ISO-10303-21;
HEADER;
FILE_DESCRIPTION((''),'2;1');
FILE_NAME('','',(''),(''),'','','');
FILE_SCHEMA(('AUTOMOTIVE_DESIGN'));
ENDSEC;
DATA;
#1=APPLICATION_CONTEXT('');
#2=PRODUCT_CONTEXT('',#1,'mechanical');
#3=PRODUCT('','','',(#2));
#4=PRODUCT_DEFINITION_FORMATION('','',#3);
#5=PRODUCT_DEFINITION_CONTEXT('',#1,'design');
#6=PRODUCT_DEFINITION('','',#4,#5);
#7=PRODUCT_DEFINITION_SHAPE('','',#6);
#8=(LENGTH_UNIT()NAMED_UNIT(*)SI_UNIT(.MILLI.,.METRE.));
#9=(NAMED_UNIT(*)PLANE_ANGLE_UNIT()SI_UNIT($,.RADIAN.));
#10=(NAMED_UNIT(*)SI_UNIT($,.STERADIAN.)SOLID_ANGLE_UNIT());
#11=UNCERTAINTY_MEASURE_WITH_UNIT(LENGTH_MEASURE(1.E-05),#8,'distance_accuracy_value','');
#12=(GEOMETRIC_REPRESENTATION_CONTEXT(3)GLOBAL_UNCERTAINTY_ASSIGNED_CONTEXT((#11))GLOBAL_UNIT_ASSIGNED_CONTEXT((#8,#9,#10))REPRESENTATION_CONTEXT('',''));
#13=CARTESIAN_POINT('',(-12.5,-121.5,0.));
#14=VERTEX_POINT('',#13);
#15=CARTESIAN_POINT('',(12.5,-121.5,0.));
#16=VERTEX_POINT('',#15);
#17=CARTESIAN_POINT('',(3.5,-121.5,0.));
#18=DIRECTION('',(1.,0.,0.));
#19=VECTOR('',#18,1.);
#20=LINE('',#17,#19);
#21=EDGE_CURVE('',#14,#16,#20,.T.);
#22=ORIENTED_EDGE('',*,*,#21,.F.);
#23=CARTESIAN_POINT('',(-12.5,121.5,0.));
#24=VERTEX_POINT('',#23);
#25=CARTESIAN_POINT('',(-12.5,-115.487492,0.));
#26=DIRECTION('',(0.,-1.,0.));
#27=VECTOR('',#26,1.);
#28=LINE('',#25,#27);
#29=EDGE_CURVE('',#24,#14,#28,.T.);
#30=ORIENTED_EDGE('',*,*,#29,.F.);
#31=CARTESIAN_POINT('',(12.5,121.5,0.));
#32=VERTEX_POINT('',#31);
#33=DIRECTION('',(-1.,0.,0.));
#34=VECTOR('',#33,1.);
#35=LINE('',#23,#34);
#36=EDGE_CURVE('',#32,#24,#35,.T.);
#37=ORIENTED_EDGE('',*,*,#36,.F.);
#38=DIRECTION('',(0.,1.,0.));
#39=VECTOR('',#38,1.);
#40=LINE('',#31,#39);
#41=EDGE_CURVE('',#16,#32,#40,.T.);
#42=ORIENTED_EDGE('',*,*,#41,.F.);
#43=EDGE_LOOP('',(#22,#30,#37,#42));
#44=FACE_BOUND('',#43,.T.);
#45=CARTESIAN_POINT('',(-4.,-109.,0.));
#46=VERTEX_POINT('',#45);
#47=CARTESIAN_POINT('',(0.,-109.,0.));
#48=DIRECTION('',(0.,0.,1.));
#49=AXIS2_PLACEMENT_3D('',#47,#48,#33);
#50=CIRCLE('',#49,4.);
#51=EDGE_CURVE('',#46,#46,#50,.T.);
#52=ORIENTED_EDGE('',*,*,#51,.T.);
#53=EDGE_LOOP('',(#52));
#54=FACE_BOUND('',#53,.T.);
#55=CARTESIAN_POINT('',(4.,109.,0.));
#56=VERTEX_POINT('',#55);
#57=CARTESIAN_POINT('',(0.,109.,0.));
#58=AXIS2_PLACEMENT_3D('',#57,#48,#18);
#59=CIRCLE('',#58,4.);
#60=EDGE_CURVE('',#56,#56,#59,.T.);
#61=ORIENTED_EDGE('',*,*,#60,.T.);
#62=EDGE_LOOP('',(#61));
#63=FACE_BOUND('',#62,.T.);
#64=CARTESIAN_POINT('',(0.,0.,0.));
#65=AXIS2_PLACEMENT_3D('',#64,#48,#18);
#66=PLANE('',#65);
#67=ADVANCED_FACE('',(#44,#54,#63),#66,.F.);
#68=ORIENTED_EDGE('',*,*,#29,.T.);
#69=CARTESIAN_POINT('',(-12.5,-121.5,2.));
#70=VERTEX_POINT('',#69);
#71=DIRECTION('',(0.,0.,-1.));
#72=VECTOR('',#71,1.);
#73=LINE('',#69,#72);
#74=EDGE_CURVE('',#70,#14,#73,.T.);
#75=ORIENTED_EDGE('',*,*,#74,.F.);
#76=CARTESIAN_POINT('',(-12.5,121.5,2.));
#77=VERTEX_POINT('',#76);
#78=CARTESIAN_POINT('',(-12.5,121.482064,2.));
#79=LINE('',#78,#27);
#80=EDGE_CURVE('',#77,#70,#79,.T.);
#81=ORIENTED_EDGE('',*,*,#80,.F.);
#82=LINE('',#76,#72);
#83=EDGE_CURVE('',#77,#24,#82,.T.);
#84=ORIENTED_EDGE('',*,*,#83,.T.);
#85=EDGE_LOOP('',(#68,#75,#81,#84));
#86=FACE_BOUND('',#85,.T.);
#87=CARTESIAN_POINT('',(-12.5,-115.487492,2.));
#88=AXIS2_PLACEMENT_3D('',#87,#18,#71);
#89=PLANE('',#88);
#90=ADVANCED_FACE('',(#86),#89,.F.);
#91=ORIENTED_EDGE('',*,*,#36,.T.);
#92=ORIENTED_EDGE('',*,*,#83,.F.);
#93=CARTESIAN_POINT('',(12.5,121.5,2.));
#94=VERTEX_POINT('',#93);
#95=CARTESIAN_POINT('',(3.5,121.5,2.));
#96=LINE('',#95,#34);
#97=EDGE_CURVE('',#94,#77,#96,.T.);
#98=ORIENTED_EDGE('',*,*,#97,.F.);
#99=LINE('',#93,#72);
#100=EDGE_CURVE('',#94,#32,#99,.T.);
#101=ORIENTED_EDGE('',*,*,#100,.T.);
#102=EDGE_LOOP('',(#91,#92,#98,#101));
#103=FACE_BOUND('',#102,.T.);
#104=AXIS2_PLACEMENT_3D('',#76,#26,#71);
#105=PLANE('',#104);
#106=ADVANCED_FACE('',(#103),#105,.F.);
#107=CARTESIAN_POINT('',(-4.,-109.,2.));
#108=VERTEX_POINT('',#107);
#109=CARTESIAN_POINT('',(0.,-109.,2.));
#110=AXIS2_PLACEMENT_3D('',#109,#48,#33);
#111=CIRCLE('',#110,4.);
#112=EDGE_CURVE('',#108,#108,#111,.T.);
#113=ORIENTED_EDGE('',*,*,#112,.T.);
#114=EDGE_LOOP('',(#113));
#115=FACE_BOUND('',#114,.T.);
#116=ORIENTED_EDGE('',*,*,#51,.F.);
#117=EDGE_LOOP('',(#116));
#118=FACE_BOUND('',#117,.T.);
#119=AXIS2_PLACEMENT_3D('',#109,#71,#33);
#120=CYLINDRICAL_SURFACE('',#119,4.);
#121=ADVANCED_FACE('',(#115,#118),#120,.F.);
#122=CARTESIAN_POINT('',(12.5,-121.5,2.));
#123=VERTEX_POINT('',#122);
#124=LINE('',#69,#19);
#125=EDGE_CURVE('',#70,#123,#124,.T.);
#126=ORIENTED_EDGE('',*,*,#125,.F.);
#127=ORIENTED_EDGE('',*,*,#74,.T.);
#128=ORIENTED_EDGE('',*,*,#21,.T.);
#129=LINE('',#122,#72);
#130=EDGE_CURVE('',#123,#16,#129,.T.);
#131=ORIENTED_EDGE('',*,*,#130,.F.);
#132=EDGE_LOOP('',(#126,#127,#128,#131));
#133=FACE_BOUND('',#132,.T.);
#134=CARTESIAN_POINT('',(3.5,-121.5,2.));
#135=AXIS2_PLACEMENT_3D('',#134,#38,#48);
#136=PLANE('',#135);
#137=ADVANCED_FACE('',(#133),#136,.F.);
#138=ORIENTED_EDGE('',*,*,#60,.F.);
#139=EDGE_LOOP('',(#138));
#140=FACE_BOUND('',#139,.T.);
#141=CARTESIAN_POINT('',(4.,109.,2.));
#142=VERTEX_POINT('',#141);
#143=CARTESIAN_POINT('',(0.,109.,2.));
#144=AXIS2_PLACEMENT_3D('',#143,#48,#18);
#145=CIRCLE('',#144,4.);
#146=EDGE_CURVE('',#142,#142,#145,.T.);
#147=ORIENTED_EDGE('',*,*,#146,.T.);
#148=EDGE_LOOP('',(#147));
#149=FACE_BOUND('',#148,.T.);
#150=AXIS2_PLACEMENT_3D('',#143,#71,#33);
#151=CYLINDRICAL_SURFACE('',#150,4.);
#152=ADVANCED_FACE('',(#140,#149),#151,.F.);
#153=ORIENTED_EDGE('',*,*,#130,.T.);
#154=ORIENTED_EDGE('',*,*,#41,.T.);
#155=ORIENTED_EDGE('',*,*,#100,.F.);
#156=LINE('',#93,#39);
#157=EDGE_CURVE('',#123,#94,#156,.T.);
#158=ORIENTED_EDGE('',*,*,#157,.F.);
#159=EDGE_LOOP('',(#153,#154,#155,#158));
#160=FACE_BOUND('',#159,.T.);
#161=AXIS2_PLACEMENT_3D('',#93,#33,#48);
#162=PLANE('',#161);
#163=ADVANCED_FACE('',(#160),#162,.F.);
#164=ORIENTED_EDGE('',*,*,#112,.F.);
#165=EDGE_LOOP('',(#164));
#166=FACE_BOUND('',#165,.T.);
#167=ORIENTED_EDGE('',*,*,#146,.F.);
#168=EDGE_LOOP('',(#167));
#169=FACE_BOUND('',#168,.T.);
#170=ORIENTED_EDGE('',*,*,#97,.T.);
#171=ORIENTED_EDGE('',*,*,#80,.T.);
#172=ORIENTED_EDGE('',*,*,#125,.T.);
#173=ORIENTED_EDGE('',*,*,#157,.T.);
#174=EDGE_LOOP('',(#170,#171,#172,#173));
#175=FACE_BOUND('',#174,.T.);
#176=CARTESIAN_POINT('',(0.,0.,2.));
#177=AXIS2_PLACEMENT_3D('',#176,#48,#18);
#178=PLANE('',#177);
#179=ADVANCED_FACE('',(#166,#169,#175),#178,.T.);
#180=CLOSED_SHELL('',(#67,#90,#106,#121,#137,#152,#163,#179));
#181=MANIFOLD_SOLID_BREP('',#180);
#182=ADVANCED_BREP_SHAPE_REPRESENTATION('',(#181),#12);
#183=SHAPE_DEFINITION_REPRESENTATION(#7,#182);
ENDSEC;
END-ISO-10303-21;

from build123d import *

# Parameters (mm, degrees)
SKETCH1_R           = 4
BOSS_EXTRUDE1_DEPTH = 2


with BuildPart() as part:
    # Sketch1 → Boss-Extrude1 (new body)
    with BuildSketch(Plane.XY):
        Polygon((3.5, 121.5), (12.5, 121.5), (12.5, -121.5), (3.5, -121.5), (0, -121.5), (-12.5, -121.5), (-12.5, -115.487492178), (-12.5, -105.5), (-12.5, 112.5), (-12.5, 121.482064427), (-12.5, 121.5), (0, 121.5), align=None)
        with Locations((0, 109)):
            Circle(SKETCH1_R, mode=Mode.SUBTRACT)
        with Locations(Location((0, -109, 0), (0, 0, 180))):
            Circle(SKETCH1_R, mode=Mode.SUBTRACT)
    extrude(amount=BOSS_EXTRUDE1_DEPTH)


solid = part.part
